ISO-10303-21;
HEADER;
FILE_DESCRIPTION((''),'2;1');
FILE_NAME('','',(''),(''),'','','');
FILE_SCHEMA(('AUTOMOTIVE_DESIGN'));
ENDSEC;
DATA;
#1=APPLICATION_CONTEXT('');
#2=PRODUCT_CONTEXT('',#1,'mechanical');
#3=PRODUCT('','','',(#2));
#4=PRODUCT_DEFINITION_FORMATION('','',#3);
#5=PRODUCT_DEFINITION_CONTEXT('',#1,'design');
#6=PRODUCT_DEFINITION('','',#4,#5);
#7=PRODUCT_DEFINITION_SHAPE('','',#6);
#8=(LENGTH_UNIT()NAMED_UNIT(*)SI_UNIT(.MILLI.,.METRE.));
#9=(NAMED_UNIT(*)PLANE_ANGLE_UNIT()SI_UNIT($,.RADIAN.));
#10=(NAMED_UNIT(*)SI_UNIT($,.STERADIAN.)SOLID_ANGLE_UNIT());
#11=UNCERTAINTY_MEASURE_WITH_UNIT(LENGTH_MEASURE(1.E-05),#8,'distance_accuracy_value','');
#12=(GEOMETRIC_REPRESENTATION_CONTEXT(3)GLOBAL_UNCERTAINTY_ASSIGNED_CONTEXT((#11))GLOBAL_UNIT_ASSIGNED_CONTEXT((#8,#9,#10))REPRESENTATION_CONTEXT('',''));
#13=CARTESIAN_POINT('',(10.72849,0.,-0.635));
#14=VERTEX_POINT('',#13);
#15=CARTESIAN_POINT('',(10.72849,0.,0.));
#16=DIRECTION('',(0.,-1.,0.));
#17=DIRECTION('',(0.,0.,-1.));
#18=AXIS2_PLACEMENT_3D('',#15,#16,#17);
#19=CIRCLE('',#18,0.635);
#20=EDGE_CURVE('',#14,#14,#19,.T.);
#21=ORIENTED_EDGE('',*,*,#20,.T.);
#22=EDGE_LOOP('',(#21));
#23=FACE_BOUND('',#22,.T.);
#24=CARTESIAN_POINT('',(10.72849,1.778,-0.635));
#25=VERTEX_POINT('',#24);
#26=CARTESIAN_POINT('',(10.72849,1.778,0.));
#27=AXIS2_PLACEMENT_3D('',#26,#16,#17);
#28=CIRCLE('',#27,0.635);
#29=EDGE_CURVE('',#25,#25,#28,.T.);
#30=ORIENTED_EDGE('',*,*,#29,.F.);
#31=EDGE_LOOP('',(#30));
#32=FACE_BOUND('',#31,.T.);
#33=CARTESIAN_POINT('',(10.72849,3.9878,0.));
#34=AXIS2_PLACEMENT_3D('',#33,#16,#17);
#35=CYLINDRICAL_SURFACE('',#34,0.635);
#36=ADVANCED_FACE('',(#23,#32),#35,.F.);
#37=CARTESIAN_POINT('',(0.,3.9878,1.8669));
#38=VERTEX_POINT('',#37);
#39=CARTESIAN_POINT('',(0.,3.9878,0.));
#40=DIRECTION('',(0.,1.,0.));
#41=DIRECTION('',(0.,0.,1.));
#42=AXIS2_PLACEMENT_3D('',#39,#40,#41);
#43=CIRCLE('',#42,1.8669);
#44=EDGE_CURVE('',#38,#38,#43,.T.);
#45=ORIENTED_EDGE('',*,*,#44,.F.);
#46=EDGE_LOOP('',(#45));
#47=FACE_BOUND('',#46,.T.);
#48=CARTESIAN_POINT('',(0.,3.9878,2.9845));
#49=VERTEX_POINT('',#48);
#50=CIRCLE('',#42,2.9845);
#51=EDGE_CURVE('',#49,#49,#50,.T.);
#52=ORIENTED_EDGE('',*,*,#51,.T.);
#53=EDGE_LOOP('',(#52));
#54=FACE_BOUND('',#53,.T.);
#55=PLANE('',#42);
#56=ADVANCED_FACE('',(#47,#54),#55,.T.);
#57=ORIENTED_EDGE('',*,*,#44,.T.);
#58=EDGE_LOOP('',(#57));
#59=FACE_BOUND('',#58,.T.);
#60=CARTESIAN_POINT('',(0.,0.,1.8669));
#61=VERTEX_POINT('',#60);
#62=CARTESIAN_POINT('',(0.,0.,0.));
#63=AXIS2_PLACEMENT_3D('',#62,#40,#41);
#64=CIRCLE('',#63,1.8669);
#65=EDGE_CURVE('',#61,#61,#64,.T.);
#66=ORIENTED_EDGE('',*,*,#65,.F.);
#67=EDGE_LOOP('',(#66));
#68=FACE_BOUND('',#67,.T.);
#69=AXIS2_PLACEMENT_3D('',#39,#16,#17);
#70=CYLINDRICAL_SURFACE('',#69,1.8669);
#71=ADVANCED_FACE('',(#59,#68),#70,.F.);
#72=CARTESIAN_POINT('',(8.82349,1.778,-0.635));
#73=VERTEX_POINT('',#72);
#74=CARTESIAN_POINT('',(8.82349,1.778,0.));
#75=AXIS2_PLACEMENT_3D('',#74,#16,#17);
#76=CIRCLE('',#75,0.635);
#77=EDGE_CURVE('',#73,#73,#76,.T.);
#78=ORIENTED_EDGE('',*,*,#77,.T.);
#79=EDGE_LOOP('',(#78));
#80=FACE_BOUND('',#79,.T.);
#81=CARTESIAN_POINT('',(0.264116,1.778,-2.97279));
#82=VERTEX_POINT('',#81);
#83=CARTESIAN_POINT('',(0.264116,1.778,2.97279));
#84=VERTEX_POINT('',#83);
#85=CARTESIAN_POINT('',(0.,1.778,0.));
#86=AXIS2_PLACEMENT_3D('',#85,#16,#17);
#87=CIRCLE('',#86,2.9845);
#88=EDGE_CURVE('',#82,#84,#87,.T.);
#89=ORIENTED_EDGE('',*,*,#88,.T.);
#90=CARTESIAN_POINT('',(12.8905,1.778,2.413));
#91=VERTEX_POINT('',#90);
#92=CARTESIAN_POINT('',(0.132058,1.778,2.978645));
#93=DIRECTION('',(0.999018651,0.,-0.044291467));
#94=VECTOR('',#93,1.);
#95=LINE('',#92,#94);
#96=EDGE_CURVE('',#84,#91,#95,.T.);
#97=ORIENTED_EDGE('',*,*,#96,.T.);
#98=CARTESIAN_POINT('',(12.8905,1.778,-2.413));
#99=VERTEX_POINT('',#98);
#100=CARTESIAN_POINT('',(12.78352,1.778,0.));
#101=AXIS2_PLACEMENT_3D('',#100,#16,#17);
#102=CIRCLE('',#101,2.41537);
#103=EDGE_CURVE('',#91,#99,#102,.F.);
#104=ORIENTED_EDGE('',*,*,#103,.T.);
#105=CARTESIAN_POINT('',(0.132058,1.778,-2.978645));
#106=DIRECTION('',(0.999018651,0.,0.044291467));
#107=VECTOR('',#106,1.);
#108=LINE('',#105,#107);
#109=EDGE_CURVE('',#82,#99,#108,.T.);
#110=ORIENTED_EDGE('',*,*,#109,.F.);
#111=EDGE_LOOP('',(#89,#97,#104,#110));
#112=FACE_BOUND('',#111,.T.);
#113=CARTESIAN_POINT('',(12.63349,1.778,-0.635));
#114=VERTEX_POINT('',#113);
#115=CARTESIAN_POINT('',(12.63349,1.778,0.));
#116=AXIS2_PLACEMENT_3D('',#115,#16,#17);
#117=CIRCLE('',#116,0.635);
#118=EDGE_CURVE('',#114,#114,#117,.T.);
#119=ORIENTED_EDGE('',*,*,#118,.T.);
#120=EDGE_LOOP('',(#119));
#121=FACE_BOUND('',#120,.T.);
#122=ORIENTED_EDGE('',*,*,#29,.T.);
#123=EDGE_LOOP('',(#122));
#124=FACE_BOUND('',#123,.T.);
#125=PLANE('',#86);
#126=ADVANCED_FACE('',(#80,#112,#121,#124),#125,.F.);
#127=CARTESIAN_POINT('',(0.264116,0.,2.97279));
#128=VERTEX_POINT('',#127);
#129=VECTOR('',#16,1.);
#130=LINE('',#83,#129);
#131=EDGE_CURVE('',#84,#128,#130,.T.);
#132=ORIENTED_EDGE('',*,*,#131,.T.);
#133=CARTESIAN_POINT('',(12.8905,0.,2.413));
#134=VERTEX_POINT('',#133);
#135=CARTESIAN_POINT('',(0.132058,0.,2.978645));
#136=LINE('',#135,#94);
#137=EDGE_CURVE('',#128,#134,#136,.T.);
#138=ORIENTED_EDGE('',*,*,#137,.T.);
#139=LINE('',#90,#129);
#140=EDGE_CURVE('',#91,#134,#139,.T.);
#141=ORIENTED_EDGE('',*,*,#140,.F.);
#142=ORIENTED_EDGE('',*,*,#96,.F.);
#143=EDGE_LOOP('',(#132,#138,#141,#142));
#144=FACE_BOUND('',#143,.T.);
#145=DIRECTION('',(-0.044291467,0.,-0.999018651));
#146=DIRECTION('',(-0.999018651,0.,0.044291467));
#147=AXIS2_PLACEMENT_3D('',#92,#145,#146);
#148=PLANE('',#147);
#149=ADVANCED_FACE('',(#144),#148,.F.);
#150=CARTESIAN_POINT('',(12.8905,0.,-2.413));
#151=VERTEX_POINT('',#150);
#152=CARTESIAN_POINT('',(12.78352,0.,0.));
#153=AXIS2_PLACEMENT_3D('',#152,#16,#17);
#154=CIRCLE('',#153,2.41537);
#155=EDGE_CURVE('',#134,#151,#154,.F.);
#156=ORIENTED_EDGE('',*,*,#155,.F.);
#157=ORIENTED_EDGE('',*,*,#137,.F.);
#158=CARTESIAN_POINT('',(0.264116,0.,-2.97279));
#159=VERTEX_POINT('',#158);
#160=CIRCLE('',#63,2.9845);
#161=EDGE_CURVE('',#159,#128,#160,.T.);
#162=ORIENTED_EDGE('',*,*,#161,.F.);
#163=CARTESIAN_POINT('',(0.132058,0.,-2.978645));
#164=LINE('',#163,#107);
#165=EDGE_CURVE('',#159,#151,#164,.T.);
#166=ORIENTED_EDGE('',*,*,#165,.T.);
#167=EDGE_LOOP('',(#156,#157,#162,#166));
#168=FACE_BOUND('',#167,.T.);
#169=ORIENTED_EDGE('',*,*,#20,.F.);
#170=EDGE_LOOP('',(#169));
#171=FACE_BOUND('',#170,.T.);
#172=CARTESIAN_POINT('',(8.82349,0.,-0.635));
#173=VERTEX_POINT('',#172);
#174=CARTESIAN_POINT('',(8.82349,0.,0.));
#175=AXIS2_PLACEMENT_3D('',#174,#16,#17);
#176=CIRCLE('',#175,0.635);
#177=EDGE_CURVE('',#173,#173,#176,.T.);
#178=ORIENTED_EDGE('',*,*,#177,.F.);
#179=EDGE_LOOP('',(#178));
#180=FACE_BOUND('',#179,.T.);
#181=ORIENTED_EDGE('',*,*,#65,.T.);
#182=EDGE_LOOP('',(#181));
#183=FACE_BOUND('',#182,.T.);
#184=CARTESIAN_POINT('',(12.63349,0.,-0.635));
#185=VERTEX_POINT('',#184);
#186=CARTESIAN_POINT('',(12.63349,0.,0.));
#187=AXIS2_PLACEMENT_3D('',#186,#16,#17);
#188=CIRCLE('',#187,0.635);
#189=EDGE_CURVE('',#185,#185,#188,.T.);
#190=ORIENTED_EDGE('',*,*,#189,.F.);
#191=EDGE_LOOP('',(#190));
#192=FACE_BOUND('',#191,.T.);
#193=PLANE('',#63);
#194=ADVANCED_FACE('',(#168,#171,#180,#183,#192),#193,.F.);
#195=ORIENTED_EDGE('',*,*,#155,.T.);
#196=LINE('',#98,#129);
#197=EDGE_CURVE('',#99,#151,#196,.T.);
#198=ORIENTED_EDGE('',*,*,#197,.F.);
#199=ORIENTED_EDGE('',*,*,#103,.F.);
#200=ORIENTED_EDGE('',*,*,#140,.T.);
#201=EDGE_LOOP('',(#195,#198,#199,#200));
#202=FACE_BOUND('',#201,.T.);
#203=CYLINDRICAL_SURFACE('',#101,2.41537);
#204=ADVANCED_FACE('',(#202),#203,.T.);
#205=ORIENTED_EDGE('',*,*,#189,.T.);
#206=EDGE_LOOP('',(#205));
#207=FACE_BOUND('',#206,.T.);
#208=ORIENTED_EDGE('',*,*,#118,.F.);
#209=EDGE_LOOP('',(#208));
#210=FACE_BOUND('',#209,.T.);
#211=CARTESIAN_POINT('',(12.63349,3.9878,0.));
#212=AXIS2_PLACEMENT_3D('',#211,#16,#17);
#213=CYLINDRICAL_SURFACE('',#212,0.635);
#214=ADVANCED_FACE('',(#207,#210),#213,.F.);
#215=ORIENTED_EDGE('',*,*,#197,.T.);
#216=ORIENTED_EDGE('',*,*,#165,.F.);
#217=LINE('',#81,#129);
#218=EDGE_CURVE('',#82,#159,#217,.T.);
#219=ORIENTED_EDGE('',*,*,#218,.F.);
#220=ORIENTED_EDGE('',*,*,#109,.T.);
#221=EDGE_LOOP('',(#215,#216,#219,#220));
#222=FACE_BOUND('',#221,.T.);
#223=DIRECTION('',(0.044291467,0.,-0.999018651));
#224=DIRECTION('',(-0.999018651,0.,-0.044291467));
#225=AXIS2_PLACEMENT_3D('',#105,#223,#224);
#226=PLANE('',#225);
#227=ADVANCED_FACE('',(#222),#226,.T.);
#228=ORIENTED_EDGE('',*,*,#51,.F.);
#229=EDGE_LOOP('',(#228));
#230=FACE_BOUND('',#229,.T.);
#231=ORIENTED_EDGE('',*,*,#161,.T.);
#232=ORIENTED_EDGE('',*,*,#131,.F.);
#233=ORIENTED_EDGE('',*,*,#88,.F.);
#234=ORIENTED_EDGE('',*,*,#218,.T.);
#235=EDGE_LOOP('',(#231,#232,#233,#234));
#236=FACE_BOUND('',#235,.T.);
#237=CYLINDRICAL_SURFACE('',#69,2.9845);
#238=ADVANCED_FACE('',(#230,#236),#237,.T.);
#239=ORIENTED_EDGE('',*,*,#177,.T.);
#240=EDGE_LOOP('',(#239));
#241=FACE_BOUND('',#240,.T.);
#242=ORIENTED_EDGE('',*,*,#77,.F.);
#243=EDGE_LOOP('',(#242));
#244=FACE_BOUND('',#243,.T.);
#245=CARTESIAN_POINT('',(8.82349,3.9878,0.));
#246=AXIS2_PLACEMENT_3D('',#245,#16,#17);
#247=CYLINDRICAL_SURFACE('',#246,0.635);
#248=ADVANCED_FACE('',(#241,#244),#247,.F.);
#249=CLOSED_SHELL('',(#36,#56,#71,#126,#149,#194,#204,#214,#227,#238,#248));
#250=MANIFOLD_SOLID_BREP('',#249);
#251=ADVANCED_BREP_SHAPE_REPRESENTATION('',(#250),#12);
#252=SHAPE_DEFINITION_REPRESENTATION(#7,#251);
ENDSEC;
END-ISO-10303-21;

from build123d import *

# Parameters (mm, degrees)
SKETCH1_R           = 2.9845
SKETCH1_R_2         = 1.8669
BOSS_EXTRUDE1_DEPTH = 3.9878
BOSS_EXTRUDE2_DEPTH = 1.778
SKETCH3_R           = 0.635
CUT_EXTRUDE1_DEPTH  = 16.994250438


with BuildPart() as part:
    # Sketch1 → Boss-Extrude1 (new body)
    with BuildSketch(Plane(origin=(0, 0, 0), x_dir=(1, 0, 0), z_dir=(0, 1, 0))):
        with Locations(Location((0, 0, 0), (0, 0, 270))):
            Circle(SKETCH1_R)
        with Locations(Location((0, 0, 0), (0, 0, 270))):
            Circle(SKETCH1_R_2, mode=Mode.SUBTRACT)
    extrude(amount=BOSS_EXTRUDE1_DEPTH)

    # Sketch2 → Boss-Extrude2 (add)
    with BuildSketch(Plane.XZ):
        with BuildLine():
            Line((12.8905, 2.413), (0.264116324, 2.972790409))
            ThreePointArc((0.264116324, 2.972790409), (2.201760139, 2.01481824), (2.9845, 0))
            ThreePointArc((2.9845, 0), (2.201760139, -2.01481824), (0.264116324, -2.972790409))
            Line((0.264116324, -2.972790409), (12.8905, -2.413))
            ThreePointArc((12.8905, -2.413), (15.198890025, 0), (12.8905, 2.413))
        make_face()
    extrude(amount=-BOSS_EXTRUDE2_DEPTH)

    # Sketch3 → Cut-Extrude1 (cut, through all)
    with BuildSketch(Plane.XZ):
        with Locations(Location((8.823490025, 0, 0), (0, 0, 270))):
            Circle(SKETCH3_R)
        with Locations(Location((10.728490025, 0, 0), (0, 0, 270))):
            Circle(SKETCH3_R)
        with Locations(Location((12.633490025, 0, 0), (0, 0, 270))):
            Circle(SKETCH3_R)
    extrude(amount=-CUT_EXTRUDE1_DEPTH, mode=Mode.SUBTRACT)


solid = part.part
